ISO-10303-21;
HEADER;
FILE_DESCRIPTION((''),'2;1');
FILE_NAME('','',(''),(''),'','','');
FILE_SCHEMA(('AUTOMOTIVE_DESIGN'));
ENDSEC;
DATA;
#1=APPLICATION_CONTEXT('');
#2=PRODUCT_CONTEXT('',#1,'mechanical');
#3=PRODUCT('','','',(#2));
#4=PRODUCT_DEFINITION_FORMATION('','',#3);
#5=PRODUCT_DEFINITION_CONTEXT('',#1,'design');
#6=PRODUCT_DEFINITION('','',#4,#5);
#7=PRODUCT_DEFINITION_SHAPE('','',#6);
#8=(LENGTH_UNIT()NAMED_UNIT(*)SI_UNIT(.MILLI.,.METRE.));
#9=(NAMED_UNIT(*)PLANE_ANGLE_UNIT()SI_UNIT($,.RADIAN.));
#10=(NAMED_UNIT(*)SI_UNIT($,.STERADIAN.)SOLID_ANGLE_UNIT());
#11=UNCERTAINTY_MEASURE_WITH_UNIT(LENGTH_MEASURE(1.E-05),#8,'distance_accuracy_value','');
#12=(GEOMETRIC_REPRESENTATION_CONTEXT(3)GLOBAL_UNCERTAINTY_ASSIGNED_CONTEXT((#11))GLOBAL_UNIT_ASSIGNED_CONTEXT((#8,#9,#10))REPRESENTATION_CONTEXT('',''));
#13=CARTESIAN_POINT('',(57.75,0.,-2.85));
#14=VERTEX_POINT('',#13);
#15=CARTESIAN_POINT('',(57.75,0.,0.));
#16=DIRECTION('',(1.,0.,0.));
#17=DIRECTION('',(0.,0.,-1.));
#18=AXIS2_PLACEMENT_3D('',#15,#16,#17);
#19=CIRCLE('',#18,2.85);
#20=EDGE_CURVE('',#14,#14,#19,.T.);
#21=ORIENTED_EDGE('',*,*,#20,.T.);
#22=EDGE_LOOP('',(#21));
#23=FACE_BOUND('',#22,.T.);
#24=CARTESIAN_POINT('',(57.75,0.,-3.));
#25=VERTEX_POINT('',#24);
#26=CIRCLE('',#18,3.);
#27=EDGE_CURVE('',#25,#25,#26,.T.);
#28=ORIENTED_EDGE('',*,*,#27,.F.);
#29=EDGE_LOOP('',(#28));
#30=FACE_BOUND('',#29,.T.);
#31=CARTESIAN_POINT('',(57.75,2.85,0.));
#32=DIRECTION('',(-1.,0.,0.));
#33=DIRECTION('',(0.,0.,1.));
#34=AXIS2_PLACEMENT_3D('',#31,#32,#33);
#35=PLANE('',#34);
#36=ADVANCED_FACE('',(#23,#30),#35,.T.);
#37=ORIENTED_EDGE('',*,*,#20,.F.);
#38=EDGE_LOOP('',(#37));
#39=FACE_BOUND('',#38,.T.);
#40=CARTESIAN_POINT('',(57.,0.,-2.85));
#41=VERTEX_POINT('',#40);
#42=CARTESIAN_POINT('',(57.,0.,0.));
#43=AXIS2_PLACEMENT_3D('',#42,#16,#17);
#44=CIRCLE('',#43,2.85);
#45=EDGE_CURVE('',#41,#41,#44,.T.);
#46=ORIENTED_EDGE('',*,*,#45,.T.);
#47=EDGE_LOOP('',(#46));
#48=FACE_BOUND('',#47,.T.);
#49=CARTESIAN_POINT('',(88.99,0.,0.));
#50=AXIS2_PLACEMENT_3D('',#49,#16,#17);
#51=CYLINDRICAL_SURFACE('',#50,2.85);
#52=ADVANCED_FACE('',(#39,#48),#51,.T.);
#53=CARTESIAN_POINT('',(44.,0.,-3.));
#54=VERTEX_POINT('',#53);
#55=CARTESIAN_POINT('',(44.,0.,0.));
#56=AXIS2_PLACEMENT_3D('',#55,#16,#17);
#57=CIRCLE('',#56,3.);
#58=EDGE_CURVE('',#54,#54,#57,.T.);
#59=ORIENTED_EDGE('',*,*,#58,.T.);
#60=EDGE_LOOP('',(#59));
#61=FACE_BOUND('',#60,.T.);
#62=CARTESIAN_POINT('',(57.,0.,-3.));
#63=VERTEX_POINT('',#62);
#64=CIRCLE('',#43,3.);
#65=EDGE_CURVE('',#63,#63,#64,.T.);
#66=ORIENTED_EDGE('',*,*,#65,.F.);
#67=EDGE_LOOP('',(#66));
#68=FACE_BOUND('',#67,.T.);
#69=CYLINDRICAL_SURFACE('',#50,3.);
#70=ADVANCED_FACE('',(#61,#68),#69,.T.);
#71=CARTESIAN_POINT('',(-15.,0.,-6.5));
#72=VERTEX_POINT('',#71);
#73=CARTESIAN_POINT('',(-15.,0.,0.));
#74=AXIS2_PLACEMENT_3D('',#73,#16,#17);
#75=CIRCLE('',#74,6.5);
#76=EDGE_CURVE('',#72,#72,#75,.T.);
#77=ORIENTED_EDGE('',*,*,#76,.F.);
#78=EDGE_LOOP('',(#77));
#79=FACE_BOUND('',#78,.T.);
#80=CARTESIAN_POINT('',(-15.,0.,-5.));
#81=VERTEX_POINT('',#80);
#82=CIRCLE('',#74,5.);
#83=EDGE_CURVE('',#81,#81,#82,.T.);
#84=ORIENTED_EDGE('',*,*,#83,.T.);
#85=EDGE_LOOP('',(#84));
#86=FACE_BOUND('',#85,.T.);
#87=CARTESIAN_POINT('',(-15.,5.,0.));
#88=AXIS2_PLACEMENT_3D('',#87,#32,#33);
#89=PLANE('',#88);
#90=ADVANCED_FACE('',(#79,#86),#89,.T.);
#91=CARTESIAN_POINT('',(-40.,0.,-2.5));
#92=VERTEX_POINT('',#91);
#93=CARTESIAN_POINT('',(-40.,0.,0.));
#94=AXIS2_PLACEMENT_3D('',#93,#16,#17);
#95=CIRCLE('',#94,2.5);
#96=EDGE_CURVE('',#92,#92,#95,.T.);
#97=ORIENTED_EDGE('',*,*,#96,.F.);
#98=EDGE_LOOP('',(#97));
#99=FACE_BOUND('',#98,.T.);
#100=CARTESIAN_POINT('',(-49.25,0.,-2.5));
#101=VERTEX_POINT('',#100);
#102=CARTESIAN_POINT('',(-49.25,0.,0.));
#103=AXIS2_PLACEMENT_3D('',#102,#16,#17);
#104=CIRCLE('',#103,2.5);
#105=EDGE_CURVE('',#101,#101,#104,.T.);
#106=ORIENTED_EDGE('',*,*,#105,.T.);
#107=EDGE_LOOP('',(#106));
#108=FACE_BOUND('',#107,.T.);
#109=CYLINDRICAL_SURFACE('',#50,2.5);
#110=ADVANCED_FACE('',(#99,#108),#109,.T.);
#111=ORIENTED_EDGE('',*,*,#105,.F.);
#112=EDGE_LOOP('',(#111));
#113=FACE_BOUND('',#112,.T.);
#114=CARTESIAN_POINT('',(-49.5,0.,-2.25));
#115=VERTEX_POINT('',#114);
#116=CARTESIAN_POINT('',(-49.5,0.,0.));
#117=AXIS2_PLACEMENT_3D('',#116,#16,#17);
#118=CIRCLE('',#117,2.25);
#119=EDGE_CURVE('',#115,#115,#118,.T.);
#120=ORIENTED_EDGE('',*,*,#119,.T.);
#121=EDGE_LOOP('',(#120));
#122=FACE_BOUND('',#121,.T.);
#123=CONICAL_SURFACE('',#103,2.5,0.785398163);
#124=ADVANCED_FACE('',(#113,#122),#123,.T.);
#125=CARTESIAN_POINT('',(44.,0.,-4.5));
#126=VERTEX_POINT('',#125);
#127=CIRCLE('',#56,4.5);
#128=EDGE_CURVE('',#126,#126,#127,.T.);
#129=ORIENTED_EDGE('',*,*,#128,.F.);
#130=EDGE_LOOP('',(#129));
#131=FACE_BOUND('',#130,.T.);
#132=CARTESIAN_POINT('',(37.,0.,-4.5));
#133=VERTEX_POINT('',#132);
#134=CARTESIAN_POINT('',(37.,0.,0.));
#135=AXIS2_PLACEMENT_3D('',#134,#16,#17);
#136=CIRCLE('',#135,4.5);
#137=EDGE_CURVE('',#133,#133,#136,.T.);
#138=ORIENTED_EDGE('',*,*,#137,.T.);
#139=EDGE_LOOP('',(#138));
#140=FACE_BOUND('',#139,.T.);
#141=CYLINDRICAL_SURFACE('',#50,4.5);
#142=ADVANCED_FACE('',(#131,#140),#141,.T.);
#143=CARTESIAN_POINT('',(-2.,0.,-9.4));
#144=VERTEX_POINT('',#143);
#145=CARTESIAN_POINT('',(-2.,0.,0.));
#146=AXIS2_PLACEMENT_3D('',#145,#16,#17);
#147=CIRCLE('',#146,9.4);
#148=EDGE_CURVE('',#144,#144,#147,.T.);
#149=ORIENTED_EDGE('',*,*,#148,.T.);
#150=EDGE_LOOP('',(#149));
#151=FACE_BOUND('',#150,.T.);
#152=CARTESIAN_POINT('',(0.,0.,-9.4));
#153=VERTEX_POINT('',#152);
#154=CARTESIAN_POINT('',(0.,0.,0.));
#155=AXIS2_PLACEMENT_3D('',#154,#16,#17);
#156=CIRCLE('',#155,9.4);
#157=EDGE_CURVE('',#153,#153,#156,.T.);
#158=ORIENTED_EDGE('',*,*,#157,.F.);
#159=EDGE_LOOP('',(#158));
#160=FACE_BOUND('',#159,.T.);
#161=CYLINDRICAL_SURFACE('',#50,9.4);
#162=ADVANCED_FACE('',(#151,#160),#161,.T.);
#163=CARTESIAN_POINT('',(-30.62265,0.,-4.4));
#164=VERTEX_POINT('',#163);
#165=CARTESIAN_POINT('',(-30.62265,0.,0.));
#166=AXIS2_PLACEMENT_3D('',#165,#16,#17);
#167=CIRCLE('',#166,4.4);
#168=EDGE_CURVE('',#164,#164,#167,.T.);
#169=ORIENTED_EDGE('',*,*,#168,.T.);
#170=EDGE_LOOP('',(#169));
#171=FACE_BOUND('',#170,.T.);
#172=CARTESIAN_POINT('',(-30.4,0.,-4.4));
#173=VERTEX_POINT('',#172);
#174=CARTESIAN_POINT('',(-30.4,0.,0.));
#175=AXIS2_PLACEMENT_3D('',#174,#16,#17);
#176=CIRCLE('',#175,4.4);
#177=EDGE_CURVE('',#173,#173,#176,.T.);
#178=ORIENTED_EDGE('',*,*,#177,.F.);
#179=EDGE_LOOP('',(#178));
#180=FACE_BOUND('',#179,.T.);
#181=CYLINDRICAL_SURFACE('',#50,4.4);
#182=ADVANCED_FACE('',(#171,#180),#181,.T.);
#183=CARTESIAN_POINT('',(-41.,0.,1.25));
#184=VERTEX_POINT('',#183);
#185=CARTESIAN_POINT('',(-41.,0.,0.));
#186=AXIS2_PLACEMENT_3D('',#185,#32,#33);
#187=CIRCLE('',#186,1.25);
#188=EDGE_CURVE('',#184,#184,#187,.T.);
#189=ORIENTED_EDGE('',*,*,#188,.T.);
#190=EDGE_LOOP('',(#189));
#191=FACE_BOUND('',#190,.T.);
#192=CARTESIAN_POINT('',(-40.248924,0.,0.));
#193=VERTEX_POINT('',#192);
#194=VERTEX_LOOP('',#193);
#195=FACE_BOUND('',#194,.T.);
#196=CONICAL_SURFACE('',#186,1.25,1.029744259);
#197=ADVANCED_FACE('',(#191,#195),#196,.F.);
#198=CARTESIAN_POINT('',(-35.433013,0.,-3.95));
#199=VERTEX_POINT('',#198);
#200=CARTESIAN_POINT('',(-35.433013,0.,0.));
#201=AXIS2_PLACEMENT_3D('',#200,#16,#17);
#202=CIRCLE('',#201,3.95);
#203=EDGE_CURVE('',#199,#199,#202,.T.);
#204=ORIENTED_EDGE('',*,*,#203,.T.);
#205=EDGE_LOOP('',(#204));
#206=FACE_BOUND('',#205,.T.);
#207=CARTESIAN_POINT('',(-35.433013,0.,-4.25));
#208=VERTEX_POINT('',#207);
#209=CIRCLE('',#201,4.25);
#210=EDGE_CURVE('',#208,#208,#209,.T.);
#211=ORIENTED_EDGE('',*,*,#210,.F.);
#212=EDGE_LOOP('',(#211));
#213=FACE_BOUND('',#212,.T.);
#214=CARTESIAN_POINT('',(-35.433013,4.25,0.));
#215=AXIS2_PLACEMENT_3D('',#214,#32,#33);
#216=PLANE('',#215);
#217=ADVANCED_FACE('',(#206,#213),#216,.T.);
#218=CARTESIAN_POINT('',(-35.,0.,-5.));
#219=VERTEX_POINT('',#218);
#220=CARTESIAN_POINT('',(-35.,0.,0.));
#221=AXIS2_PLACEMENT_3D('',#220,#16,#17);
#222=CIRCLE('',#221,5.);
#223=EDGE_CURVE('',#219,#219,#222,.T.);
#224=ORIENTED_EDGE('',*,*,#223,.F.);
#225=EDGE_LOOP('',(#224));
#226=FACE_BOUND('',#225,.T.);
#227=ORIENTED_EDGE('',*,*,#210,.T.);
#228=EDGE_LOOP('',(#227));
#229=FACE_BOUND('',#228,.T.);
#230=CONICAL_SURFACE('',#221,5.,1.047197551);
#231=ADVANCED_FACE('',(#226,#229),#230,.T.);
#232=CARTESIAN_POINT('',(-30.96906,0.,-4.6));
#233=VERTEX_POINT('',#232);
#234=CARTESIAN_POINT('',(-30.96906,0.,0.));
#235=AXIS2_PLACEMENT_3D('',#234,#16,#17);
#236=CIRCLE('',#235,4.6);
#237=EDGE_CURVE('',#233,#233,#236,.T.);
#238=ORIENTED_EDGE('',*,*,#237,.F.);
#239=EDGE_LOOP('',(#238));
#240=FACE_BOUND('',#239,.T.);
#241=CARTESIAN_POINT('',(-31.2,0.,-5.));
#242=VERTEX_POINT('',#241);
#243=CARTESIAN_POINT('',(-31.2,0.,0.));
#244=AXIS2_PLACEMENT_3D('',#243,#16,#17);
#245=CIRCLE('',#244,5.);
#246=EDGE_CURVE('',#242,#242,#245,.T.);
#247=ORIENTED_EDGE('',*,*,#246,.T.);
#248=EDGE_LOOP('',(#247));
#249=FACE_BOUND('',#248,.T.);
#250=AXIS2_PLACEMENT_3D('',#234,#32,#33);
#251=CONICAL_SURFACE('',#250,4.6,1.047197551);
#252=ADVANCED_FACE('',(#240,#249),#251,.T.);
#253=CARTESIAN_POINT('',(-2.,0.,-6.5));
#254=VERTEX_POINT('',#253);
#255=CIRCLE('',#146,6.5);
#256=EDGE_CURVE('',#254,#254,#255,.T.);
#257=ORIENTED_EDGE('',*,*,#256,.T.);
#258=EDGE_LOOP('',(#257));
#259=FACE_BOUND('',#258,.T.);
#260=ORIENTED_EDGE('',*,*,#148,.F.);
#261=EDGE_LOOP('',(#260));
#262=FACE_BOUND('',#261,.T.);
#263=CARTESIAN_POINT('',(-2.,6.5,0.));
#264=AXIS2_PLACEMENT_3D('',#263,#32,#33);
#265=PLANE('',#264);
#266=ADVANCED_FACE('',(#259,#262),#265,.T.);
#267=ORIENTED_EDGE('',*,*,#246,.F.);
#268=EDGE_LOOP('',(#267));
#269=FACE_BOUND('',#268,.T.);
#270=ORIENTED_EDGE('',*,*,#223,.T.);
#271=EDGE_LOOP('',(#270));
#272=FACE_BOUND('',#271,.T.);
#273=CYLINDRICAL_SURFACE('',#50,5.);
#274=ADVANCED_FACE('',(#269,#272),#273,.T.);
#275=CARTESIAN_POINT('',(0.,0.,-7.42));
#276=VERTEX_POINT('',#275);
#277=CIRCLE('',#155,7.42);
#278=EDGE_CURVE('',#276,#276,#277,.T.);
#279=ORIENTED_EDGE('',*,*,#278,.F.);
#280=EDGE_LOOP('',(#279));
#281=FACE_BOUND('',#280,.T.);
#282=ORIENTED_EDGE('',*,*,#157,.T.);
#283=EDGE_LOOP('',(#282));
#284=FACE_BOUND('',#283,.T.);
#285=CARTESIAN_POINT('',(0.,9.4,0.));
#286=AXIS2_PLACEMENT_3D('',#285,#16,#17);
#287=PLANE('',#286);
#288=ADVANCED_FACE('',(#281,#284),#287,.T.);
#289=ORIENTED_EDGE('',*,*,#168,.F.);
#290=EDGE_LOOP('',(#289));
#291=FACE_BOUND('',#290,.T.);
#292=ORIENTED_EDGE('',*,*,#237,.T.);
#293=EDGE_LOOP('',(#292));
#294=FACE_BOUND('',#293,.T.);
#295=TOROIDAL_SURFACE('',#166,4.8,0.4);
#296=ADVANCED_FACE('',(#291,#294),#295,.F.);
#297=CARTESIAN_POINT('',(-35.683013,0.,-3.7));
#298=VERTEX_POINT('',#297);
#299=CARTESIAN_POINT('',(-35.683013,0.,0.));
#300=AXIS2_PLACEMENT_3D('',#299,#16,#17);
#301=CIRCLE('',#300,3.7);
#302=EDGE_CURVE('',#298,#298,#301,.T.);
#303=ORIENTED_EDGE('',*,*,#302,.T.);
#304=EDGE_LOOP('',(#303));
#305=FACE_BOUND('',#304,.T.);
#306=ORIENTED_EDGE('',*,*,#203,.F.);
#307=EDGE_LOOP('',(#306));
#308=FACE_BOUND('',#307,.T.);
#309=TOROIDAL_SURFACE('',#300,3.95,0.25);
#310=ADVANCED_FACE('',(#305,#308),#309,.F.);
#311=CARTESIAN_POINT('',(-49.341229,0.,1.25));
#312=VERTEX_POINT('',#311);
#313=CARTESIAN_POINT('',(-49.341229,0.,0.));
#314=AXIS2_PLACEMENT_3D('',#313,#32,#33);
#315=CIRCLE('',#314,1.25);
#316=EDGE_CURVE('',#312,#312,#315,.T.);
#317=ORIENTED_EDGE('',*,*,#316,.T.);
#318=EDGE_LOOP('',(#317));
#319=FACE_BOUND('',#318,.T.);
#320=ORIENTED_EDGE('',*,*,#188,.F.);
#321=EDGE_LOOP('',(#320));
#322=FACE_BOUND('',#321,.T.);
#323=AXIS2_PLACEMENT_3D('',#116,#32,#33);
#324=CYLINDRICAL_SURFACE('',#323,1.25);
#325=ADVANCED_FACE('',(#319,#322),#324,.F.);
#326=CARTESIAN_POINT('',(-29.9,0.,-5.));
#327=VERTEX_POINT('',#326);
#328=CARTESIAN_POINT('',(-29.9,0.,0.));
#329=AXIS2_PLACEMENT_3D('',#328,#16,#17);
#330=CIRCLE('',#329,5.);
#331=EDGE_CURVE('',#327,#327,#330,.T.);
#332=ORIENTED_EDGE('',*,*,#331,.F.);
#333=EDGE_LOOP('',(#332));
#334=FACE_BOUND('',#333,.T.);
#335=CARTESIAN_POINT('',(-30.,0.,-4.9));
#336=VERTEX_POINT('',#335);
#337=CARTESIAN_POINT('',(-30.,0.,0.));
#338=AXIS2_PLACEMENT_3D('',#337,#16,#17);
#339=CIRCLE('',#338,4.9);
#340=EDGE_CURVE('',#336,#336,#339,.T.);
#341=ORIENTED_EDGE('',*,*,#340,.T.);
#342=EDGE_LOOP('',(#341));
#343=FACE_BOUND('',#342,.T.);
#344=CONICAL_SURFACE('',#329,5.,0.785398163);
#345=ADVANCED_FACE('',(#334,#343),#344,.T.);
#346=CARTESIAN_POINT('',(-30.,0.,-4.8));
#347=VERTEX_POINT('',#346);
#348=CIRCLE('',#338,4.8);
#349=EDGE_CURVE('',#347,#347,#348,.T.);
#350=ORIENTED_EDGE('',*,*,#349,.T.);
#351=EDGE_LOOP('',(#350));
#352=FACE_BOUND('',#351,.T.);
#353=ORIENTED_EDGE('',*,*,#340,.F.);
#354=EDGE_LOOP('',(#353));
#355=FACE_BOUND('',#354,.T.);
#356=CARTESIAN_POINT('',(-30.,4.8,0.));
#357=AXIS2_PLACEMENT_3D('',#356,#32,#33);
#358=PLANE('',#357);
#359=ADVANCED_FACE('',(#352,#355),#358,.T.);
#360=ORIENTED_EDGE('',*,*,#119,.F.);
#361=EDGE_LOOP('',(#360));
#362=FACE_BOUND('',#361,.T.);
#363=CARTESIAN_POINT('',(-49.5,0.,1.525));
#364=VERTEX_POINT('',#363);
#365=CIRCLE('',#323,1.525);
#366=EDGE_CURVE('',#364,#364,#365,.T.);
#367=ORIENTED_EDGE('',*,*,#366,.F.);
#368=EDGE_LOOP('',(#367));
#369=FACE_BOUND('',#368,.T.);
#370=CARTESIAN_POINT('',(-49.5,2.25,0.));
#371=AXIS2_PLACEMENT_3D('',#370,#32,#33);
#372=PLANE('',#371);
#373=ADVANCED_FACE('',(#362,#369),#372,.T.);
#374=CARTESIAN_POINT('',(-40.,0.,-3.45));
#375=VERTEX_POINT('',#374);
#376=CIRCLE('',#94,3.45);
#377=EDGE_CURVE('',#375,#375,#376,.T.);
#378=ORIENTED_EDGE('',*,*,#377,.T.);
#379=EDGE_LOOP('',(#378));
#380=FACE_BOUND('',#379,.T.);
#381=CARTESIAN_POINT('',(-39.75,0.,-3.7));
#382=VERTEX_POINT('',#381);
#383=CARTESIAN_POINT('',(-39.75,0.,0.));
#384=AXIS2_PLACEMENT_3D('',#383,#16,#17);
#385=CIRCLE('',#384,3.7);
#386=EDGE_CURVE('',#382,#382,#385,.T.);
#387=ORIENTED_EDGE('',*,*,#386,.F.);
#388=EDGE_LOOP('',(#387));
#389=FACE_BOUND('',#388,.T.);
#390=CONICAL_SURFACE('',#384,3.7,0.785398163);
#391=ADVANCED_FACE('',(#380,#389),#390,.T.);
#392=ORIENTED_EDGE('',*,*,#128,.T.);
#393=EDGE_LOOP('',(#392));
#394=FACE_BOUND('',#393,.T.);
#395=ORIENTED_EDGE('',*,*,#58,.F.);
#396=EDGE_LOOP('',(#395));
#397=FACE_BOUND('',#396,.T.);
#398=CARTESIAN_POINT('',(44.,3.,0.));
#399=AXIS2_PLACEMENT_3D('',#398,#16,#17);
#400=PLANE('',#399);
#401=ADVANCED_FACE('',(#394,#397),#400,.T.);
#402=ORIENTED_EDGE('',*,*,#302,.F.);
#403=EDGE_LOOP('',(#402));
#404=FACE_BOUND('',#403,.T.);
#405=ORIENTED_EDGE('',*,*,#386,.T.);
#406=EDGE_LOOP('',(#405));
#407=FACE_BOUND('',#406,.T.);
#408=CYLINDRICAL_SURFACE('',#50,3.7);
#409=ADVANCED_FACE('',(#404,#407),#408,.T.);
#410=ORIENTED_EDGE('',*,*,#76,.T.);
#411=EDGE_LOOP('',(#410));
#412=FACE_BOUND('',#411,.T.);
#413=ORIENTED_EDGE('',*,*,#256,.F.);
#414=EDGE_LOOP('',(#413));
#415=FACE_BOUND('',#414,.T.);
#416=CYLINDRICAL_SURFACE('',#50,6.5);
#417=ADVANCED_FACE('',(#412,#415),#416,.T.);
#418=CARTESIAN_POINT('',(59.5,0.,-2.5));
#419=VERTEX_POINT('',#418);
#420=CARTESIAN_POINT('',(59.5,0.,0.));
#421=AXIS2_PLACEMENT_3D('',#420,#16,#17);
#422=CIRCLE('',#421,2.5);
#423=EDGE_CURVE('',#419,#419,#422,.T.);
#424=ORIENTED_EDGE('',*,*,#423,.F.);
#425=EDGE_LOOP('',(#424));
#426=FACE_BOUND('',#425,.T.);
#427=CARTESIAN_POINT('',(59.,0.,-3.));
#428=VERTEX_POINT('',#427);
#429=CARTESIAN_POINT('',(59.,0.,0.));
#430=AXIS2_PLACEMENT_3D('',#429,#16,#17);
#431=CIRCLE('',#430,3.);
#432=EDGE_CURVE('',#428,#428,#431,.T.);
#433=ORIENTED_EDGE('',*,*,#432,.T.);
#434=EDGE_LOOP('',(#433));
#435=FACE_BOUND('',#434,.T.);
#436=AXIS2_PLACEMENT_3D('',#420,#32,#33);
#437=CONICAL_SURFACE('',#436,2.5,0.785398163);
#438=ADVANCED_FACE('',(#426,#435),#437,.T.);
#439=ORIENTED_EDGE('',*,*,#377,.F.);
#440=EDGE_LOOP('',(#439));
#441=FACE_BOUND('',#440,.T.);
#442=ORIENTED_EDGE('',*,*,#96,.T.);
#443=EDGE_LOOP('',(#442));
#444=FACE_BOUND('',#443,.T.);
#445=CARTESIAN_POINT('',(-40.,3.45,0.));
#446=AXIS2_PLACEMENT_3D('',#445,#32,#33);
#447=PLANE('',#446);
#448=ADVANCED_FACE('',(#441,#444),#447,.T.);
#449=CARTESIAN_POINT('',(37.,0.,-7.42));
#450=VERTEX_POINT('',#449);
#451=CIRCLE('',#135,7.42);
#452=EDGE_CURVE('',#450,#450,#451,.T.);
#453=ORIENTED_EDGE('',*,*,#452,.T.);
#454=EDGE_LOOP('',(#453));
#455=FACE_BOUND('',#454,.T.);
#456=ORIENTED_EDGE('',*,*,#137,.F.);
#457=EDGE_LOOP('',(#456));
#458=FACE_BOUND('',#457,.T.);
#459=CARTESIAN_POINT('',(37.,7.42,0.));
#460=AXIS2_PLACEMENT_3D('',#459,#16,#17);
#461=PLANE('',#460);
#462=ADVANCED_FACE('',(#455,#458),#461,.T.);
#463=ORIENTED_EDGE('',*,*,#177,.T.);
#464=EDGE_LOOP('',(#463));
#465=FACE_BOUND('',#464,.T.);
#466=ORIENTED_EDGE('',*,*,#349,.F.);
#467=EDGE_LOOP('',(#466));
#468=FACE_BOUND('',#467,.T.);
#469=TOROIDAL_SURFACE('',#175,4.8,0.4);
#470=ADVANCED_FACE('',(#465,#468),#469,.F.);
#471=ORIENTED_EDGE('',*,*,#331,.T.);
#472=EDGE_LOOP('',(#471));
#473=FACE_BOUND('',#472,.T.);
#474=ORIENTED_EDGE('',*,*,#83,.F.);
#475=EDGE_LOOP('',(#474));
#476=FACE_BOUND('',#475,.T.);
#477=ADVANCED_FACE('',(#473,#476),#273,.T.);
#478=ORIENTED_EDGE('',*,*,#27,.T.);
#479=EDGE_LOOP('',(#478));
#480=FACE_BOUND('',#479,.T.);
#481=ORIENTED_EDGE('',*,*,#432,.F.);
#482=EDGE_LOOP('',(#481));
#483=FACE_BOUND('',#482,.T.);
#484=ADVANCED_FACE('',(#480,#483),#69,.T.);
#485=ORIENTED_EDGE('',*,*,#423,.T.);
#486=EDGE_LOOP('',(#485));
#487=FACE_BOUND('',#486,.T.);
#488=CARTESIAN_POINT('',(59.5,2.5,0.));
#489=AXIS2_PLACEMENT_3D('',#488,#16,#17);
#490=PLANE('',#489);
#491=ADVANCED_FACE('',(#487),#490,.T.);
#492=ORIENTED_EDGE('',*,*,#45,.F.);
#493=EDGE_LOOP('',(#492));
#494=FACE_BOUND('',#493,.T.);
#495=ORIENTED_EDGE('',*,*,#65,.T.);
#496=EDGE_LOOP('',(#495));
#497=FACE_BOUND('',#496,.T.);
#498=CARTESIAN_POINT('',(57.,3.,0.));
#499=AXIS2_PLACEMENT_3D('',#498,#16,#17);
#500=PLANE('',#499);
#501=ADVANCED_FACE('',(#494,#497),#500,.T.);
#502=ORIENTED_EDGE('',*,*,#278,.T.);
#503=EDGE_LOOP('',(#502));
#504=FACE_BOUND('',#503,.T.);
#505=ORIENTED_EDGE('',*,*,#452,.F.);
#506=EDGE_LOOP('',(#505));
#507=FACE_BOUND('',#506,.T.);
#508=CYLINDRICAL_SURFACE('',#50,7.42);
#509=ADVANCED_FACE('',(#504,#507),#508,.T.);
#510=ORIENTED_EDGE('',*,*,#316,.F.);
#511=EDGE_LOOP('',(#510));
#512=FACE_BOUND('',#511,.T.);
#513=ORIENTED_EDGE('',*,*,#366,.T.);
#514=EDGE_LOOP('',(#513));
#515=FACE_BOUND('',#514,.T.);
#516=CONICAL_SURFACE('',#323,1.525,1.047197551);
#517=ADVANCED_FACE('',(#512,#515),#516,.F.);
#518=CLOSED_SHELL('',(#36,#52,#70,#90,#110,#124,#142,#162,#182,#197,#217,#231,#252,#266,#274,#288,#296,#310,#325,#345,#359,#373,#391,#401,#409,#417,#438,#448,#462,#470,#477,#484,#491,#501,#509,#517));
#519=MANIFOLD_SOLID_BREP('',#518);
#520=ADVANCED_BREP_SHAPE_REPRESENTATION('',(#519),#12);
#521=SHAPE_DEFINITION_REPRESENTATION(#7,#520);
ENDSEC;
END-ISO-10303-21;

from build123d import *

# Parameters (mm, degrees)
M3_TAPPED_HOLE1_D           = 2.5
M3_TAPPED_HOLE1_DEPTH       = 8.5
M3_TAPPED_HOLE1_CSINK_D     = 3.05
M3_TAPPED_HOLE1_CSINK_ANGLE = 120
M3_TAPPED_HOLE1_TIP         = 0.751075774


with BuildPart() as part:
    # Sketch1 → Revolve3 (revolve)
    with BuildSketch(Plane.XY):
        with BuildLine():
            Line((-35, 5), (-31.2, 5))
            Line((-31.2, 5), (-30.969059892, 4.6))
            ThreePointArc((-30.969059892, 4.6), (-30.822649731, 4.453589838), (-30.622649731, 4.4))
            Line((-30.622649731, 4.4), (-30.4, 4.4))
            ThreePointArc((-30.4, 4.4), (-30.117157288, 4.517157288), (-30, 4.8))
            Line((-30, 4.8), (-30, 4.9))
            Line((-30, 4.9), (-29.9, 5))
            Line((-29.9, 5), (-15, 5))
            Line((-15, 5), (-15, 6.5))
            Line((-15, 6.5), (-2, 6.5))
            Line((-2, 6.5), (-2, 9.4))
            Line((-2, 9.4), (0, 9.4))
            Line((0, 9.4), (0, 7.42))
            Line((0, 7.42), (37, 7.42))
            Line((37, 7.42), (37, 4.5))
            Line((37, 4.5), (44, 4.5))
            Line((44, 4.5), (44, 3))
            Line((44, 3), (57, 3))
            Line((57, 3), (57, 2.85))
            Line((57, 2.85), (57.75, 2.85))
            Line((57.75, 2.85), (57.75, 3))
            Line((57.75, 3), (59, 3))
            Line((59, 3), (59.5, 2.5))
            Line((59.5, 2.5), (59.5, 0))
            Line((59.5, 0), (-49.5, 0))
            Line((-49.5, 0), (-49.5, 2.25))
            Line((-49.5, 2.25), (-49.25, 2.5))
            Line((-49.25, 2.5), (-40, 2.5))
            Line((-40, 2.5), (-40, 3.45))
            Line((-40, 3.45), (-39.75, 3.7))
            Line((-39.75, 3.7), (-35.683012702, 3.7))
            ThreePointArc((-35.683012702, 3.7), (-35.506236007, 3.773223305), (-35.433012702, 3.95))
            Line((-35.433012702, 3.95), (-35.433012702, 4.25))
            Line((-35.433012702, 4.25), (-35, 5))
        make_face()
    revolve(axis=Axis((88.99, 0, 0), (-1, 0, 0)))

    # M3 Tapped Hole1
    with Locations(Plane.ZY.offset(49.5)):
        with Locations((0, 0)):
            CounterSinkHole(M3_TAPPED_HOLE1_D / 2, M3_TAPPED_HOLE1_CSINK_D / 2, depth=M3_TAPPED_HOLE1_DEPTH, counter_sink_angle=M3_TAPPED_HOLE1_CSINK_ANGLE)
            with Locations((0, 0, -(M3_TAPPED_HOLE1_DEPTH + M3_TAPPED_HOLE1_TIP / 2))):  # 118° drill point
                Cone(0, M3_TAPPED_HOLE1_D / 2, M3_TAPPED_HOLE1_TIP, mode=Mode.SUBTRACT)


solid = part.part
